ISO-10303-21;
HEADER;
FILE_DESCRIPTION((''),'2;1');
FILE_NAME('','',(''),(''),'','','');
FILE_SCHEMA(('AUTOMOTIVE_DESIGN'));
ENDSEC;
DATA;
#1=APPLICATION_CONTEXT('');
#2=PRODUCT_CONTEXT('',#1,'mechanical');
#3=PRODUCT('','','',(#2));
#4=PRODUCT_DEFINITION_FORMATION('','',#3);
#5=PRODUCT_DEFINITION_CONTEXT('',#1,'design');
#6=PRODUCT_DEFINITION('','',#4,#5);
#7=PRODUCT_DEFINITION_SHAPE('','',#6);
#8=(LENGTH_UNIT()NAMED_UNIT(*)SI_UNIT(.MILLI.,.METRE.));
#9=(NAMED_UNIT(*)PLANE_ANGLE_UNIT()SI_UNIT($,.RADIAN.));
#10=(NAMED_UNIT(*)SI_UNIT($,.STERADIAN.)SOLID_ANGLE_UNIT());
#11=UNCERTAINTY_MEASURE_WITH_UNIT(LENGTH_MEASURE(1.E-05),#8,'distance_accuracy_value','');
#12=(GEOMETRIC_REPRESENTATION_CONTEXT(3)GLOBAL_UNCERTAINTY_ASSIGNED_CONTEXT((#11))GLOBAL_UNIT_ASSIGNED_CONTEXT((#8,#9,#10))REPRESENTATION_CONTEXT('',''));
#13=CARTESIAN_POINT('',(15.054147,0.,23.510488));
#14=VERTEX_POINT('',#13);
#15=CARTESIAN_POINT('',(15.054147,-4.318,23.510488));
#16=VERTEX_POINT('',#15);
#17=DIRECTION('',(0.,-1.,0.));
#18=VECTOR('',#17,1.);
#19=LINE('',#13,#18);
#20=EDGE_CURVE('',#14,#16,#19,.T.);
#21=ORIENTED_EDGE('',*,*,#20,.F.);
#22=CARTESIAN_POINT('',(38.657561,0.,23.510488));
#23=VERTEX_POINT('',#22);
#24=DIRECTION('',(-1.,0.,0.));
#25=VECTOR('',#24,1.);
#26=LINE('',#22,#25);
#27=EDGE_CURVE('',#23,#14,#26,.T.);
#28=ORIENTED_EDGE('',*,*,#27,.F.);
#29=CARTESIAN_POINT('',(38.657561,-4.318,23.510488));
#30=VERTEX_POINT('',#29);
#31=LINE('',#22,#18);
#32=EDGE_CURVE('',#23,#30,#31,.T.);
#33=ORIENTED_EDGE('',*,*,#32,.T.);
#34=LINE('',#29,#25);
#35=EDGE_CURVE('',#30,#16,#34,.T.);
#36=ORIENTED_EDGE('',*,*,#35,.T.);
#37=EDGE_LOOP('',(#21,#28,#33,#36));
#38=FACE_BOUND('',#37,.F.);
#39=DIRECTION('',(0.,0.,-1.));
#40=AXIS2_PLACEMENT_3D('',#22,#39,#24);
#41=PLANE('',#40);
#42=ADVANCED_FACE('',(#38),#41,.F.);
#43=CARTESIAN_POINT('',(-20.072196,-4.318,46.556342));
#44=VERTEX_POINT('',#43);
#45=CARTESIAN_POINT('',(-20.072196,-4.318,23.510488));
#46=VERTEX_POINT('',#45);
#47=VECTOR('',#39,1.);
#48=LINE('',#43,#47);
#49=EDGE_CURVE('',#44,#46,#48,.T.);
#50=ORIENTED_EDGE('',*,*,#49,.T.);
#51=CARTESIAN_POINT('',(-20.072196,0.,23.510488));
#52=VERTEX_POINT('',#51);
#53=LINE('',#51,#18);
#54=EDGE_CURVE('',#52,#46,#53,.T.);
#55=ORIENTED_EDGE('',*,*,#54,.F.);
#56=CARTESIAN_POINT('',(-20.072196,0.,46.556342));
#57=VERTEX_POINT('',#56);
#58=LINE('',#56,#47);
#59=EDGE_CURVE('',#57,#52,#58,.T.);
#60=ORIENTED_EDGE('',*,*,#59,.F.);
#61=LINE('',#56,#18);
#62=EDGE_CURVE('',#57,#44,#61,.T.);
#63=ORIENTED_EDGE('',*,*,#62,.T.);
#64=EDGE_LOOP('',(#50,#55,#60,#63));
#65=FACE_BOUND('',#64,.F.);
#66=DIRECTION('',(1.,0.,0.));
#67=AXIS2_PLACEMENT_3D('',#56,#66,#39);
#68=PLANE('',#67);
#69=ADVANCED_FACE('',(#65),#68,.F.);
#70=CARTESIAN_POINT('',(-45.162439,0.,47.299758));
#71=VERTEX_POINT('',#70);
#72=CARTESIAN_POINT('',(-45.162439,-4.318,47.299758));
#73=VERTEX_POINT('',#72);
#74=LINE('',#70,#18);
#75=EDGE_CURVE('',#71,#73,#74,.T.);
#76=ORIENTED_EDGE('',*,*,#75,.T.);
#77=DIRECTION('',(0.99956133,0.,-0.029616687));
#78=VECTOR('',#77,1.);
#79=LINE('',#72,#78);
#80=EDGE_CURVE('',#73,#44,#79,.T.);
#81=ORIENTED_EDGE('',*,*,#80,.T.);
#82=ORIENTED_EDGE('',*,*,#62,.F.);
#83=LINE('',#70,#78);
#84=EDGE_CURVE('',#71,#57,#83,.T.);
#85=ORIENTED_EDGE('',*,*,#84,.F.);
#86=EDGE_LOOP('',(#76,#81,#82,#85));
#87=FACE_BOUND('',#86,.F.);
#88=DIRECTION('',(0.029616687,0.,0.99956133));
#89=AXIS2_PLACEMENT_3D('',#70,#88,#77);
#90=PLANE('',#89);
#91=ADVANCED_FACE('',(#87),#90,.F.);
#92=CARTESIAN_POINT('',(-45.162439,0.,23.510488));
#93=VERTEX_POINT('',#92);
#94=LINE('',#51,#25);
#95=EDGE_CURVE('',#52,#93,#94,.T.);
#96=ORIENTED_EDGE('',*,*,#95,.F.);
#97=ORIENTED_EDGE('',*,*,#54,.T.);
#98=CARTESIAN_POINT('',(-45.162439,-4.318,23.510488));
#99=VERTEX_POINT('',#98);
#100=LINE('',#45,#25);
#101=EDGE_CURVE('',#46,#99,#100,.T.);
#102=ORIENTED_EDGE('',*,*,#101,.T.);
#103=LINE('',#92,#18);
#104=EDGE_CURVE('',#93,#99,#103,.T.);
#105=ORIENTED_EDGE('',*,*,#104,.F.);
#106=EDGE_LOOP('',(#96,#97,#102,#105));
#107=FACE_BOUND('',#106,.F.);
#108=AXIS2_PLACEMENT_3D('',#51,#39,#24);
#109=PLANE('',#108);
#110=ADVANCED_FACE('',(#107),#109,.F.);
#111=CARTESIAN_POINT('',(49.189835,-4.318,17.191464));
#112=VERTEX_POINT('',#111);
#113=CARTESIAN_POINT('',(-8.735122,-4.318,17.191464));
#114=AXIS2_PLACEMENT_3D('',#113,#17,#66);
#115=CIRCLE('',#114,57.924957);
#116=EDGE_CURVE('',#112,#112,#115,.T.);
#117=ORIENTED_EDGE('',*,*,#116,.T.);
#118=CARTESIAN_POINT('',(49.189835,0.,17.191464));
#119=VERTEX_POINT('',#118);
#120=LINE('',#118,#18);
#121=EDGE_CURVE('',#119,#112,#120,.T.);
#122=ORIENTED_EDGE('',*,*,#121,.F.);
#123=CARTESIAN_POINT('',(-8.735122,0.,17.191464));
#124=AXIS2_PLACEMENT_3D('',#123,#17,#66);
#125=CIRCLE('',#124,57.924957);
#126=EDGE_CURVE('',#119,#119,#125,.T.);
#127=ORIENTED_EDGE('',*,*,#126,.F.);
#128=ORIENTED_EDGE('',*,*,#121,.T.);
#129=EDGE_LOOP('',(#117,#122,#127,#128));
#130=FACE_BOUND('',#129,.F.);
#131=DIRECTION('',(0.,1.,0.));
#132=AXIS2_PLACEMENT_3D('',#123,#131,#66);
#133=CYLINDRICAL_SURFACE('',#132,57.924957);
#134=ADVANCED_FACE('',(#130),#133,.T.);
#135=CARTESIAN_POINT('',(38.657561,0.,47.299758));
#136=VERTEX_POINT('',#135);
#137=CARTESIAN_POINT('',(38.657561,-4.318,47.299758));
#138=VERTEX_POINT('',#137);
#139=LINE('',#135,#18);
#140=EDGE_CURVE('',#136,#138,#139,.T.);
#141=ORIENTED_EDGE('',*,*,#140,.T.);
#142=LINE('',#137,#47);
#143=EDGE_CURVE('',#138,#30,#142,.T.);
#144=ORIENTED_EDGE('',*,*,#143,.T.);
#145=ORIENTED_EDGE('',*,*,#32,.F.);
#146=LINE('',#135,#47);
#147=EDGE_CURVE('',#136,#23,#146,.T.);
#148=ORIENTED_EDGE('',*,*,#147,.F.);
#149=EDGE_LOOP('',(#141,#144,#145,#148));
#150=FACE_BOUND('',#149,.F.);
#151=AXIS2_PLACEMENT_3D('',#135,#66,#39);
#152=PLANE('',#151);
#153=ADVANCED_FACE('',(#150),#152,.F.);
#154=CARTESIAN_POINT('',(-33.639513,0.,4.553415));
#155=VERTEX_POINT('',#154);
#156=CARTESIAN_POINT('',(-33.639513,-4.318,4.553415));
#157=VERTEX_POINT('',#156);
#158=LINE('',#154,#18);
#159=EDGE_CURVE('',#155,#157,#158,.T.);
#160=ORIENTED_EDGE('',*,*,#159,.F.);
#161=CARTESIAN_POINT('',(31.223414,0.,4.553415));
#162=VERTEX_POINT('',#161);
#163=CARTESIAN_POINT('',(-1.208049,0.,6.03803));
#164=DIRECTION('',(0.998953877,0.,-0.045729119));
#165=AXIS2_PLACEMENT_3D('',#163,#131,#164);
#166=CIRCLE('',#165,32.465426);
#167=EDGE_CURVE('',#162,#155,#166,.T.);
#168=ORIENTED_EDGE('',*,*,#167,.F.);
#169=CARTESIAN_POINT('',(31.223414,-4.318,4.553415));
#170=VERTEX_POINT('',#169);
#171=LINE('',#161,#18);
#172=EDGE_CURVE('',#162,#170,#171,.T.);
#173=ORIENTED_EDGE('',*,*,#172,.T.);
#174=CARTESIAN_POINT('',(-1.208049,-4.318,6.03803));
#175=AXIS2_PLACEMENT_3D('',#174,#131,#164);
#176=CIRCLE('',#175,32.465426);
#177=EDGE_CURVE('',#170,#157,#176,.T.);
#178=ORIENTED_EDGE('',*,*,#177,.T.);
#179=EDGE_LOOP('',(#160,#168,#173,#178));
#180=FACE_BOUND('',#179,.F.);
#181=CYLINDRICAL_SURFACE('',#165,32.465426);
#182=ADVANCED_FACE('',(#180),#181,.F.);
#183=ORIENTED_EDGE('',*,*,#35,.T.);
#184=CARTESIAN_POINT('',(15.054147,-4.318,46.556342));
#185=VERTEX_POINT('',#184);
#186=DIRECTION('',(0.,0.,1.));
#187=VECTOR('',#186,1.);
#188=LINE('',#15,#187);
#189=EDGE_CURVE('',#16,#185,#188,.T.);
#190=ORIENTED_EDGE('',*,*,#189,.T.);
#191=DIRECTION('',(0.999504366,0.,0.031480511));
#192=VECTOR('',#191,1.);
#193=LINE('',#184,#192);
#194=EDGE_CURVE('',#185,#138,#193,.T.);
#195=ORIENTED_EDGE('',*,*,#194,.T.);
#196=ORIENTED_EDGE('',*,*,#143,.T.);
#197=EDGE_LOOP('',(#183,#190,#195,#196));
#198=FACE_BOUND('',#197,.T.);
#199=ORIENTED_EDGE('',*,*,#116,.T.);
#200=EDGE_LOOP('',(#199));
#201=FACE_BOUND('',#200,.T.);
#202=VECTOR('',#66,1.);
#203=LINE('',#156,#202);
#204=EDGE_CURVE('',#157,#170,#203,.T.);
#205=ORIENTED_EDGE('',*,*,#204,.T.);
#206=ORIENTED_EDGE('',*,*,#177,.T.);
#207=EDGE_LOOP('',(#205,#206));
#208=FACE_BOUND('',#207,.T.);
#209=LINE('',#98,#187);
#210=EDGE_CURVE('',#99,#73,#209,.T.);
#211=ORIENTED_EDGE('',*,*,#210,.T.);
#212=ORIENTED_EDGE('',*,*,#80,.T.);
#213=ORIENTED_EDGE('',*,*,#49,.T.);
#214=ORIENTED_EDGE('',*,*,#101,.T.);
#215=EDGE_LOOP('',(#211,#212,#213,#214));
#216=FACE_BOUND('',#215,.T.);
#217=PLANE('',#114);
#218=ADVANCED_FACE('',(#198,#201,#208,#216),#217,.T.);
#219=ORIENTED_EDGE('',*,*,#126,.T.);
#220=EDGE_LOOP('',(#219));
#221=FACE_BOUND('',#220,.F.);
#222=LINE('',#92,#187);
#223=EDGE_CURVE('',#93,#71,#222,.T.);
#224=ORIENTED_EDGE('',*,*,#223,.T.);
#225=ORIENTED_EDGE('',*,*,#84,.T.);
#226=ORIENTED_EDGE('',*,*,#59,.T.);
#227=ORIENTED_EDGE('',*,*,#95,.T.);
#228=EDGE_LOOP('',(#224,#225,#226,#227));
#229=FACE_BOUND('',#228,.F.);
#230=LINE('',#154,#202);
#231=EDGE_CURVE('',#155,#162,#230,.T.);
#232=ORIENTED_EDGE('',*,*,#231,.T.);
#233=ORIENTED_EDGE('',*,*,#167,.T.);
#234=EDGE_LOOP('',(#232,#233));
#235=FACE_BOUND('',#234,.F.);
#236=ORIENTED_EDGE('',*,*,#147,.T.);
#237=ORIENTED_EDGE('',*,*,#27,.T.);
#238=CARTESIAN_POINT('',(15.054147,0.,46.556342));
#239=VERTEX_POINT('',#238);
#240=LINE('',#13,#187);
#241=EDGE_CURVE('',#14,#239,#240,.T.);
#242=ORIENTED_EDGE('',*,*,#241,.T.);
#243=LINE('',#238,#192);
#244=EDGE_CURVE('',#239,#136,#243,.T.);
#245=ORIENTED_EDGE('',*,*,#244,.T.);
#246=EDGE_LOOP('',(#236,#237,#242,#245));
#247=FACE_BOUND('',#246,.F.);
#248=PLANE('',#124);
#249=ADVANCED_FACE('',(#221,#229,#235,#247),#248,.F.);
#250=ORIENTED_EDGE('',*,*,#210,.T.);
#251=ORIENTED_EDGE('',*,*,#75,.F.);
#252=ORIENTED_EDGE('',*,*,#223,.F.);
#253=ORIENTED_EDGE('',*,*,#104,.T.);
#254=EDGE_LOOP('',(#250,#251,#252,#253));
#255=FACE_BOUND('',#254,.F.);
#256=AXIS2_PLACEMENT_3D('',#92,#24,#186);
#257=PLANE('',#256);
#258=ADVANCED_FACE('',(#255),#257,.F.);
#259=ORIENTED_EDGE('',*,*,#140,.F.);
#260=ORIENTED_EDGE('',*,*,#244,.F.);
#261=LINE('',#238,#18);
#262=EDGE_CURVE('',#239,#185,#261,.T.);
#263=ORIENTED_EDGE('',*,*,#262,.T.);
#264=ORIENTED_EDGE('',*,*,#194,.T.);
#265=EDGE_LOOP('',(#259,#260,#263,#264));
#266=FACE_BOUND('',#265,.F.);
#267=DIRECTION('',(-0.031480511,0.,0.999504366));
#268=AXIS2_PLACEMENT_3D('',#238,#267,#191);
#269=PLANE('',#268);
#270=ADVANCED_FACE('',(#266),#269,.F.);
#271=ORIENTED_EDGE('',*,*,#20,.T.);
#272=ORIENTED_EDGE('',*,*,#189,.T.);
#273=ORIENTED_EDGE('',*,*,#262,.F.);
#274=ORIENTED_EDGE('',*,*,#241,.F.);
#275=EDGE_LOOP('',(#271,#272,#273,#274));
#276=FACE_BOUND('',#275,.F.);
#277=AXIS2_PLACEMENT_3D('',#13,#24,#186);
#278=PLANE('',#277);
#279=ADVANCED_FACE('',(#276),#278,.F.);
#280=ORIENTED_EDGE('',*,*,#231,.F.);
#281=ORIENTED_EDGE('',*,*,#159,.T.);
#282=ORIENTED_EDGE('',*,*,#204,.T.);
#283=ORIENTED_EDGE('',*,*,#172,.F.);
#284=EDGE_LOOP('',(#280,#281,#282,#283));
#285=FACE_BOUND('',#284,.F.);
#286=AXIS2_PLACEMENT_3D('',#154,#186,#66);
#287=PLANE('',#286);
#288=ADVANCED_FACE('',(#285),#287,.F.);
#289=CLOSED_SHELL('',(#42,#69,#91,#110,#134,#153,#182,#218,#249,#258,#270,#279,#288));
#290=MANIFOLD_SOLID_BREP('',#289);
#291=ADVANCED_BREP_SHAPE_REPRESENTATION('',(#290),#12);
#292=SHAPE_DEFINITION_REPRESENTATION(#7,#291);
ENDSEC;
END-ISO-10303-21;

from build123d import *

# Parameters (mm, degrees)
F0_R     = 57.924957
F1_DEPTH = 4.318


with BuildPart() as f1:
    # F0 (on Front) → F1 (new body)
    with BuildSketch(Plane.XZ):
        with Locations((-8.735122, 17.191464)):
            Circle(F0_R)
        with BuildLine():
            ThreePointArc((31.223414, 4.553415), (-1.208049, -26.427396), (-33.639513, 4.553415))
            Line((-33.639513, 4.553415), (31.223414, 4.553415))
        make_face(mode=Mode.SUBTRACT)
        Polygon((-45.162439, 23.510488), (-45.162439, 47.299758), (-20.072196, 46.556342), (-20.072196, 23.510488), align=None, mode=Mode.SUBTRACT)
        Polygon((15.054147, 23.510488), (15.054147, 46.556342), (38.657561, 47.299758), (38.657561, 23.510488), align=None, mode=Mode.SUBTRACT)
    extrude(amount=F1_DEPTH)


solid = f1.part
